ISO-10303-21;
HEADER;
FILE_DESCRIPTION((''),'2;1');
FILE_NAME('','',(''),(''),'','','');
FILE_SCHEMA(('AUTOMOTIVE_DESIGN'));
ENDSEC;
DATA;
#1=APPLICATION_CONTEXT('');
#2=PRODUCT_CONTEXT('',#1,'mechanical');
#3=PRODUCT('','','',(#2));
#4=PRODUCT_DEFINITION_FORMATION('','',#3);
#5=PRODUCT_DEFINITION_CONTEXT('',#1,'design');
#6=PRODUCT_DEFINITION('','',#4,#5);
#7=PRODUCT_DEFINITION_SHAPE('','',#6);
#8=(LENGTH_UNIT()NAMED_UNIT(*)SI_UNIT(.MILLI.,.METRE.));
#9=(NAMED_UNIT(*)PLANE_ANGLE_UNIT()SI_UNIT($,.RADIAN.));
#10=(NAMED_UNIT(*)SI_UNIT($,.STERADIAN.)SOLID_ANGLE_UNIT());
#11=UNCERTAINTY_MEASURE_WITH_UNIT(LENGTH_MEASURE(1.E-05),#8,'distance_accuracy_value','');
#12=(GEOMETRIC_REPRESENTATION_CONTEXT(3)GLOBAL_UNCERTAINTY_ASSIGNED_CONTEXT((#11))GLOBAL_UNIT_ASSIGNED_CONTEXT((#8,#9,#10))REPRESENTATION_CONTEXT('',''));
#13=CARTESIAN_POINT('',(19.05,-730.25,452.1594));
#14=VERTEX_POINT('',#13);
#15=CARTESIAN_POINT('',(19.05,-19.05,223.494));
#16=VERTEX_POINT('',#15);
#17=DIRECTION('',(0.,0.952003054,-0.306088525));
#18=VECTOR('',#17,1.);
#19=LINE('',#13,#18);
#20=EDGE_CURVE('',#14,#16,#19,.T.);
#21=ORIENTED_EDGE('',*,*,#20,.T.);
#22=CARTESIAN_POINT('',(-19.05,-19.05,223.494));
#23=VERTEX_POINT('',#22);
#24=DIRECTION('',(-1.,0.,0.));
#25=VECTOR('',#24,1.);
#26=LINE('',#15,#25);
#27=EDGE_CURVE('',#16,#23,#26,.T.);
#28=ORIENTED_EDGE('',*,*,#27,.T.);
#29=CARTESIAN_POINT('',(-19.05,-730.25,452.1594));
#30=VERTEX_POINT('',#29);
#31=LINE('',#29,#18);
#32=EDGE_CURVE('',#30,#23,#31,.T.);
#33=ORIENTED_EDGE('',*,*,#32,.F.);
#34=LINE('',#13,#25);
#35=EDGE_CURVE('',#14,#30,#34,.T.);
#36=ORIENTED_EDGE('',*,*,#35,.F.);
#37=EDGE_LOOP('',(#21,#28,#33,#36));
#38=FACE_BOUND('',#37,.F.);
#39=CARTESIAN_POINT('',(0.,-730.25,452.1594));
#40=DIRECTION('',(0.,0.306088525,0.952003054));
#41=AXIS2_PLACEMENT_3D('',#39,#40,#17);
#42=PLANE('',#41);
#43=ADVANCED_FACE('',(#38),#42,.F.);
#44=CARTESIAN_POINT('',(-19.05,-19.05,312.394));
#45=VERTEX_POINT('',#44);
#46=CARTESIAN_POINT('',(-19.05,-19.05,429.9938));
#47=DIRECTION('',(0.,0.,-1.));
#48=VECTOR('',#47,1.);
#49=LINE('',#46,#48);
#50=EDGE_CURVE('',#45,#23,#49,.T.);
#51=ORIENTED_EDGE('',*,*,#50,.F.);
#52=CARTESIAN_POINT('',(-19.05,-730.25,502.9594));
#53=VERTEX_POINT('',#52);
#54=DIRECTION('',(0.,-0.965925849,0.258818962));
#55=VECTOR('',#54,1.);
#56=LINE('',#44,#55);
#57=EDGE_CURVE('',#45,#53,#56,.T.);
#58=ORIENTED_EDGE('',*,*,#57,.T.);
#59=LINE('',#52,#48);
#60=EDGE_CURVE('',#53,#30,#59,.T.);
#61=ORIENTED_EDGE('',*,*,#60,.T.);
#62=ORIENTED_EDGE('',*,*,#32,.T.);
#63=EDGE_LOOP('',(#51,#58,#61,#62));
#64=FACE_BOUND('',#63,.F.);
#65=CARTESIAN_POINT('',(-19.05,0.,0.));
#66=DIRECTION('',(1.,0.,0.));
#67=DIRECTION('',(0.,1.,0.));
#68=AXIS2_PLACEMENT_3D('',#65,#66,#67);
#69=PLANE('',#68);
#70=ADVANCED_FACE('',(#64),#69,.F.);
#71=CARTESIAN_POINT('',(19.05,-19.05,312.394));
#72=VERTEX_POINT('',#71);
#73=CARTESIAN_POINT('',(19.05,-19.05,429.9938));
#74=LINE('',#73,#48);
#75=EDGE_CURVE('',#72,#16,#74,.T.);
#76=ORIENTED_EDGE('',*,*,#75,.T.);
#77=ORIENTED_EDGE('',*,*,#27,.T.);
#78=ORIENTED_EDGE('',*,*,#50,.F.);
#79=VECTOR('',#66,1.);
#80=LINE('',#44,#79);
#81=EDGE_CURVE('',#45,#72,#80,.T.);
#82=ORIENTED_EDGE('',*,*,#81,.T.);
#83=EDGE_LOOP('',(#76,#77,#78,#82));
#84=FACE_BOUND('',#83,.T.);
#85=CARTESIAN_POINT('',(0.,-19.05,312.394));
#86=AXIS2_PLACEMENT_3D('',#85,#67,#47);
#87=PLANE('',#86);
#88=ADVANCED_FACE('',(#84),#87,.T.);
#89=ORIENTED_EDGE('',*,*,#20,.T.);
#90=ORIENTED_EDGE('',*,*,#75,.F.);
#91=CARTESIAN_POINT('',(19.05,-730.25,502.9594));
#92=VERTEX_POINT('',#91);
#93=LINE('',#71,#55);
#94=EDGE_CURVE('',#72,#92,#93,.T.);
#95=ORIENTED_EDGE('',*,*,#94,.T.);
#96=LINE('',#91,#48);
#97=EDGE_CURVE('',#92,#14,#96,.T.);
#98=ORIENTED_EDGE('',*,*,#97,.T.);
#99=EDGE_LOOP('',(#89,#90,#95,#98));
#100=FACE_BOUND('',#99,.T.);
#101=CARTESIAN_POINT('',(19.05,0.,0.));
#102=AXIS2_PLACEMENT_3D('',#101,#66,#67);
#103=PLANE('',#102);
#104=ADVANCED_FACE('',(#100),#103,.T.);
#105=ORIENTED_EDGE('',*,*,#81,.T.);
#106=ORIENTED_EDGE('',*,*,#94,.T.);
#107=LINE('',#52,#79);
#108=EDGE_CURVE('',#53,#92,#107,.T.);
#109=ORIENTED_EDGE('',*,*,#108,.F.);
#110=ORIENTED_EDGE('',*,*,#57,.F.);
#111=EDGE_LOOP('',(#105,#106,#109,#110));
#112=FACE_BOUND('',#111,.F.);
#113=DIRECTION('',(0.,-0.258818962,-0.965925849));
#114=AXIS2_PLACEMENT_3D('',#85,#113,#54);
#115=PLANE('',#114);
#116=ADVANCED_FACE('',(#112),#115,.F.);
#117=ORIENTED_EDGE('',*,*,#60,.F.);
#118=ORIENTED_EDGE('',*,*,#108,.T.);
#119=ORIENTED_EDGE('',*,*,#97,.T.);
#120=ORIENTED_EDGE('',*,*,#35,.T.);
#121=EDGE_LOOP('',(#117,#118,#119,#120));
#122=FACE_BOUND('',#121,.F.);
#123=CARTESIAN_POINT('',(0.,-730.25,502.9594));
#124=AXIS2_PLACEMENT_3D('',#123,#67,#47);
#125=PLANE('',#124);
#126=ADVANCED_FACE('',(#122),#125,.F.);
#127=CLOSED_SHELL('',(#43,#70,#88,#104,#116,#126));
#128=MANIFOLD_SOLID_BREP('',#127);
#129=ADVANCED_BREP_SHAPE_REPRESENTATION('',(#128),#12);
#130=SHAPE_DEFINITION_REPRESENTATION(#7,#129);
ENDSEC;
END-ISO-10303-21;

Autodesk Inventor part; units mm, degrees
ref_plane "YZ Plane" through (0, 0, 0) normal (1, 0, 0) x (0, 1, 0)
ref_plane "XZ Plane" through (0, 0, 0) normal (0, 1, 0) x (-1, 0, 0)
ref_plane "XY Plane" through (0, 0, 0) normal (0, 0, 1) x (1, 0, 0)
sketch "Sketch1" plane through (0, 0, 0) normal (1, 0, 0) x (0, 1, 0)
  line L0 (-19.05, 429.9938) -> (-19.05, -429.9938) projected
  line L1 (-19.05, 312.394) -> (-730.25, 502.9594)
  line L2 (-730.25, 502.9594) -> (-730.25, 452.1594)
  line L3 (-730.25, 452.1594) -> (-19.05, 223.494)
  line L4 (-19.05, 312.394) -> (-19.05, 223.494)
  point P0 (0, 0)
  dimension "d0" = 88.9
  dimension "d1" = 50.8
  dimension "d2" = 711.2
  dimension "d3" = 75
extrude "Extrusion1" add sketch "Sketch1" along normal mid plane 38.1
properties part number "Leg"
